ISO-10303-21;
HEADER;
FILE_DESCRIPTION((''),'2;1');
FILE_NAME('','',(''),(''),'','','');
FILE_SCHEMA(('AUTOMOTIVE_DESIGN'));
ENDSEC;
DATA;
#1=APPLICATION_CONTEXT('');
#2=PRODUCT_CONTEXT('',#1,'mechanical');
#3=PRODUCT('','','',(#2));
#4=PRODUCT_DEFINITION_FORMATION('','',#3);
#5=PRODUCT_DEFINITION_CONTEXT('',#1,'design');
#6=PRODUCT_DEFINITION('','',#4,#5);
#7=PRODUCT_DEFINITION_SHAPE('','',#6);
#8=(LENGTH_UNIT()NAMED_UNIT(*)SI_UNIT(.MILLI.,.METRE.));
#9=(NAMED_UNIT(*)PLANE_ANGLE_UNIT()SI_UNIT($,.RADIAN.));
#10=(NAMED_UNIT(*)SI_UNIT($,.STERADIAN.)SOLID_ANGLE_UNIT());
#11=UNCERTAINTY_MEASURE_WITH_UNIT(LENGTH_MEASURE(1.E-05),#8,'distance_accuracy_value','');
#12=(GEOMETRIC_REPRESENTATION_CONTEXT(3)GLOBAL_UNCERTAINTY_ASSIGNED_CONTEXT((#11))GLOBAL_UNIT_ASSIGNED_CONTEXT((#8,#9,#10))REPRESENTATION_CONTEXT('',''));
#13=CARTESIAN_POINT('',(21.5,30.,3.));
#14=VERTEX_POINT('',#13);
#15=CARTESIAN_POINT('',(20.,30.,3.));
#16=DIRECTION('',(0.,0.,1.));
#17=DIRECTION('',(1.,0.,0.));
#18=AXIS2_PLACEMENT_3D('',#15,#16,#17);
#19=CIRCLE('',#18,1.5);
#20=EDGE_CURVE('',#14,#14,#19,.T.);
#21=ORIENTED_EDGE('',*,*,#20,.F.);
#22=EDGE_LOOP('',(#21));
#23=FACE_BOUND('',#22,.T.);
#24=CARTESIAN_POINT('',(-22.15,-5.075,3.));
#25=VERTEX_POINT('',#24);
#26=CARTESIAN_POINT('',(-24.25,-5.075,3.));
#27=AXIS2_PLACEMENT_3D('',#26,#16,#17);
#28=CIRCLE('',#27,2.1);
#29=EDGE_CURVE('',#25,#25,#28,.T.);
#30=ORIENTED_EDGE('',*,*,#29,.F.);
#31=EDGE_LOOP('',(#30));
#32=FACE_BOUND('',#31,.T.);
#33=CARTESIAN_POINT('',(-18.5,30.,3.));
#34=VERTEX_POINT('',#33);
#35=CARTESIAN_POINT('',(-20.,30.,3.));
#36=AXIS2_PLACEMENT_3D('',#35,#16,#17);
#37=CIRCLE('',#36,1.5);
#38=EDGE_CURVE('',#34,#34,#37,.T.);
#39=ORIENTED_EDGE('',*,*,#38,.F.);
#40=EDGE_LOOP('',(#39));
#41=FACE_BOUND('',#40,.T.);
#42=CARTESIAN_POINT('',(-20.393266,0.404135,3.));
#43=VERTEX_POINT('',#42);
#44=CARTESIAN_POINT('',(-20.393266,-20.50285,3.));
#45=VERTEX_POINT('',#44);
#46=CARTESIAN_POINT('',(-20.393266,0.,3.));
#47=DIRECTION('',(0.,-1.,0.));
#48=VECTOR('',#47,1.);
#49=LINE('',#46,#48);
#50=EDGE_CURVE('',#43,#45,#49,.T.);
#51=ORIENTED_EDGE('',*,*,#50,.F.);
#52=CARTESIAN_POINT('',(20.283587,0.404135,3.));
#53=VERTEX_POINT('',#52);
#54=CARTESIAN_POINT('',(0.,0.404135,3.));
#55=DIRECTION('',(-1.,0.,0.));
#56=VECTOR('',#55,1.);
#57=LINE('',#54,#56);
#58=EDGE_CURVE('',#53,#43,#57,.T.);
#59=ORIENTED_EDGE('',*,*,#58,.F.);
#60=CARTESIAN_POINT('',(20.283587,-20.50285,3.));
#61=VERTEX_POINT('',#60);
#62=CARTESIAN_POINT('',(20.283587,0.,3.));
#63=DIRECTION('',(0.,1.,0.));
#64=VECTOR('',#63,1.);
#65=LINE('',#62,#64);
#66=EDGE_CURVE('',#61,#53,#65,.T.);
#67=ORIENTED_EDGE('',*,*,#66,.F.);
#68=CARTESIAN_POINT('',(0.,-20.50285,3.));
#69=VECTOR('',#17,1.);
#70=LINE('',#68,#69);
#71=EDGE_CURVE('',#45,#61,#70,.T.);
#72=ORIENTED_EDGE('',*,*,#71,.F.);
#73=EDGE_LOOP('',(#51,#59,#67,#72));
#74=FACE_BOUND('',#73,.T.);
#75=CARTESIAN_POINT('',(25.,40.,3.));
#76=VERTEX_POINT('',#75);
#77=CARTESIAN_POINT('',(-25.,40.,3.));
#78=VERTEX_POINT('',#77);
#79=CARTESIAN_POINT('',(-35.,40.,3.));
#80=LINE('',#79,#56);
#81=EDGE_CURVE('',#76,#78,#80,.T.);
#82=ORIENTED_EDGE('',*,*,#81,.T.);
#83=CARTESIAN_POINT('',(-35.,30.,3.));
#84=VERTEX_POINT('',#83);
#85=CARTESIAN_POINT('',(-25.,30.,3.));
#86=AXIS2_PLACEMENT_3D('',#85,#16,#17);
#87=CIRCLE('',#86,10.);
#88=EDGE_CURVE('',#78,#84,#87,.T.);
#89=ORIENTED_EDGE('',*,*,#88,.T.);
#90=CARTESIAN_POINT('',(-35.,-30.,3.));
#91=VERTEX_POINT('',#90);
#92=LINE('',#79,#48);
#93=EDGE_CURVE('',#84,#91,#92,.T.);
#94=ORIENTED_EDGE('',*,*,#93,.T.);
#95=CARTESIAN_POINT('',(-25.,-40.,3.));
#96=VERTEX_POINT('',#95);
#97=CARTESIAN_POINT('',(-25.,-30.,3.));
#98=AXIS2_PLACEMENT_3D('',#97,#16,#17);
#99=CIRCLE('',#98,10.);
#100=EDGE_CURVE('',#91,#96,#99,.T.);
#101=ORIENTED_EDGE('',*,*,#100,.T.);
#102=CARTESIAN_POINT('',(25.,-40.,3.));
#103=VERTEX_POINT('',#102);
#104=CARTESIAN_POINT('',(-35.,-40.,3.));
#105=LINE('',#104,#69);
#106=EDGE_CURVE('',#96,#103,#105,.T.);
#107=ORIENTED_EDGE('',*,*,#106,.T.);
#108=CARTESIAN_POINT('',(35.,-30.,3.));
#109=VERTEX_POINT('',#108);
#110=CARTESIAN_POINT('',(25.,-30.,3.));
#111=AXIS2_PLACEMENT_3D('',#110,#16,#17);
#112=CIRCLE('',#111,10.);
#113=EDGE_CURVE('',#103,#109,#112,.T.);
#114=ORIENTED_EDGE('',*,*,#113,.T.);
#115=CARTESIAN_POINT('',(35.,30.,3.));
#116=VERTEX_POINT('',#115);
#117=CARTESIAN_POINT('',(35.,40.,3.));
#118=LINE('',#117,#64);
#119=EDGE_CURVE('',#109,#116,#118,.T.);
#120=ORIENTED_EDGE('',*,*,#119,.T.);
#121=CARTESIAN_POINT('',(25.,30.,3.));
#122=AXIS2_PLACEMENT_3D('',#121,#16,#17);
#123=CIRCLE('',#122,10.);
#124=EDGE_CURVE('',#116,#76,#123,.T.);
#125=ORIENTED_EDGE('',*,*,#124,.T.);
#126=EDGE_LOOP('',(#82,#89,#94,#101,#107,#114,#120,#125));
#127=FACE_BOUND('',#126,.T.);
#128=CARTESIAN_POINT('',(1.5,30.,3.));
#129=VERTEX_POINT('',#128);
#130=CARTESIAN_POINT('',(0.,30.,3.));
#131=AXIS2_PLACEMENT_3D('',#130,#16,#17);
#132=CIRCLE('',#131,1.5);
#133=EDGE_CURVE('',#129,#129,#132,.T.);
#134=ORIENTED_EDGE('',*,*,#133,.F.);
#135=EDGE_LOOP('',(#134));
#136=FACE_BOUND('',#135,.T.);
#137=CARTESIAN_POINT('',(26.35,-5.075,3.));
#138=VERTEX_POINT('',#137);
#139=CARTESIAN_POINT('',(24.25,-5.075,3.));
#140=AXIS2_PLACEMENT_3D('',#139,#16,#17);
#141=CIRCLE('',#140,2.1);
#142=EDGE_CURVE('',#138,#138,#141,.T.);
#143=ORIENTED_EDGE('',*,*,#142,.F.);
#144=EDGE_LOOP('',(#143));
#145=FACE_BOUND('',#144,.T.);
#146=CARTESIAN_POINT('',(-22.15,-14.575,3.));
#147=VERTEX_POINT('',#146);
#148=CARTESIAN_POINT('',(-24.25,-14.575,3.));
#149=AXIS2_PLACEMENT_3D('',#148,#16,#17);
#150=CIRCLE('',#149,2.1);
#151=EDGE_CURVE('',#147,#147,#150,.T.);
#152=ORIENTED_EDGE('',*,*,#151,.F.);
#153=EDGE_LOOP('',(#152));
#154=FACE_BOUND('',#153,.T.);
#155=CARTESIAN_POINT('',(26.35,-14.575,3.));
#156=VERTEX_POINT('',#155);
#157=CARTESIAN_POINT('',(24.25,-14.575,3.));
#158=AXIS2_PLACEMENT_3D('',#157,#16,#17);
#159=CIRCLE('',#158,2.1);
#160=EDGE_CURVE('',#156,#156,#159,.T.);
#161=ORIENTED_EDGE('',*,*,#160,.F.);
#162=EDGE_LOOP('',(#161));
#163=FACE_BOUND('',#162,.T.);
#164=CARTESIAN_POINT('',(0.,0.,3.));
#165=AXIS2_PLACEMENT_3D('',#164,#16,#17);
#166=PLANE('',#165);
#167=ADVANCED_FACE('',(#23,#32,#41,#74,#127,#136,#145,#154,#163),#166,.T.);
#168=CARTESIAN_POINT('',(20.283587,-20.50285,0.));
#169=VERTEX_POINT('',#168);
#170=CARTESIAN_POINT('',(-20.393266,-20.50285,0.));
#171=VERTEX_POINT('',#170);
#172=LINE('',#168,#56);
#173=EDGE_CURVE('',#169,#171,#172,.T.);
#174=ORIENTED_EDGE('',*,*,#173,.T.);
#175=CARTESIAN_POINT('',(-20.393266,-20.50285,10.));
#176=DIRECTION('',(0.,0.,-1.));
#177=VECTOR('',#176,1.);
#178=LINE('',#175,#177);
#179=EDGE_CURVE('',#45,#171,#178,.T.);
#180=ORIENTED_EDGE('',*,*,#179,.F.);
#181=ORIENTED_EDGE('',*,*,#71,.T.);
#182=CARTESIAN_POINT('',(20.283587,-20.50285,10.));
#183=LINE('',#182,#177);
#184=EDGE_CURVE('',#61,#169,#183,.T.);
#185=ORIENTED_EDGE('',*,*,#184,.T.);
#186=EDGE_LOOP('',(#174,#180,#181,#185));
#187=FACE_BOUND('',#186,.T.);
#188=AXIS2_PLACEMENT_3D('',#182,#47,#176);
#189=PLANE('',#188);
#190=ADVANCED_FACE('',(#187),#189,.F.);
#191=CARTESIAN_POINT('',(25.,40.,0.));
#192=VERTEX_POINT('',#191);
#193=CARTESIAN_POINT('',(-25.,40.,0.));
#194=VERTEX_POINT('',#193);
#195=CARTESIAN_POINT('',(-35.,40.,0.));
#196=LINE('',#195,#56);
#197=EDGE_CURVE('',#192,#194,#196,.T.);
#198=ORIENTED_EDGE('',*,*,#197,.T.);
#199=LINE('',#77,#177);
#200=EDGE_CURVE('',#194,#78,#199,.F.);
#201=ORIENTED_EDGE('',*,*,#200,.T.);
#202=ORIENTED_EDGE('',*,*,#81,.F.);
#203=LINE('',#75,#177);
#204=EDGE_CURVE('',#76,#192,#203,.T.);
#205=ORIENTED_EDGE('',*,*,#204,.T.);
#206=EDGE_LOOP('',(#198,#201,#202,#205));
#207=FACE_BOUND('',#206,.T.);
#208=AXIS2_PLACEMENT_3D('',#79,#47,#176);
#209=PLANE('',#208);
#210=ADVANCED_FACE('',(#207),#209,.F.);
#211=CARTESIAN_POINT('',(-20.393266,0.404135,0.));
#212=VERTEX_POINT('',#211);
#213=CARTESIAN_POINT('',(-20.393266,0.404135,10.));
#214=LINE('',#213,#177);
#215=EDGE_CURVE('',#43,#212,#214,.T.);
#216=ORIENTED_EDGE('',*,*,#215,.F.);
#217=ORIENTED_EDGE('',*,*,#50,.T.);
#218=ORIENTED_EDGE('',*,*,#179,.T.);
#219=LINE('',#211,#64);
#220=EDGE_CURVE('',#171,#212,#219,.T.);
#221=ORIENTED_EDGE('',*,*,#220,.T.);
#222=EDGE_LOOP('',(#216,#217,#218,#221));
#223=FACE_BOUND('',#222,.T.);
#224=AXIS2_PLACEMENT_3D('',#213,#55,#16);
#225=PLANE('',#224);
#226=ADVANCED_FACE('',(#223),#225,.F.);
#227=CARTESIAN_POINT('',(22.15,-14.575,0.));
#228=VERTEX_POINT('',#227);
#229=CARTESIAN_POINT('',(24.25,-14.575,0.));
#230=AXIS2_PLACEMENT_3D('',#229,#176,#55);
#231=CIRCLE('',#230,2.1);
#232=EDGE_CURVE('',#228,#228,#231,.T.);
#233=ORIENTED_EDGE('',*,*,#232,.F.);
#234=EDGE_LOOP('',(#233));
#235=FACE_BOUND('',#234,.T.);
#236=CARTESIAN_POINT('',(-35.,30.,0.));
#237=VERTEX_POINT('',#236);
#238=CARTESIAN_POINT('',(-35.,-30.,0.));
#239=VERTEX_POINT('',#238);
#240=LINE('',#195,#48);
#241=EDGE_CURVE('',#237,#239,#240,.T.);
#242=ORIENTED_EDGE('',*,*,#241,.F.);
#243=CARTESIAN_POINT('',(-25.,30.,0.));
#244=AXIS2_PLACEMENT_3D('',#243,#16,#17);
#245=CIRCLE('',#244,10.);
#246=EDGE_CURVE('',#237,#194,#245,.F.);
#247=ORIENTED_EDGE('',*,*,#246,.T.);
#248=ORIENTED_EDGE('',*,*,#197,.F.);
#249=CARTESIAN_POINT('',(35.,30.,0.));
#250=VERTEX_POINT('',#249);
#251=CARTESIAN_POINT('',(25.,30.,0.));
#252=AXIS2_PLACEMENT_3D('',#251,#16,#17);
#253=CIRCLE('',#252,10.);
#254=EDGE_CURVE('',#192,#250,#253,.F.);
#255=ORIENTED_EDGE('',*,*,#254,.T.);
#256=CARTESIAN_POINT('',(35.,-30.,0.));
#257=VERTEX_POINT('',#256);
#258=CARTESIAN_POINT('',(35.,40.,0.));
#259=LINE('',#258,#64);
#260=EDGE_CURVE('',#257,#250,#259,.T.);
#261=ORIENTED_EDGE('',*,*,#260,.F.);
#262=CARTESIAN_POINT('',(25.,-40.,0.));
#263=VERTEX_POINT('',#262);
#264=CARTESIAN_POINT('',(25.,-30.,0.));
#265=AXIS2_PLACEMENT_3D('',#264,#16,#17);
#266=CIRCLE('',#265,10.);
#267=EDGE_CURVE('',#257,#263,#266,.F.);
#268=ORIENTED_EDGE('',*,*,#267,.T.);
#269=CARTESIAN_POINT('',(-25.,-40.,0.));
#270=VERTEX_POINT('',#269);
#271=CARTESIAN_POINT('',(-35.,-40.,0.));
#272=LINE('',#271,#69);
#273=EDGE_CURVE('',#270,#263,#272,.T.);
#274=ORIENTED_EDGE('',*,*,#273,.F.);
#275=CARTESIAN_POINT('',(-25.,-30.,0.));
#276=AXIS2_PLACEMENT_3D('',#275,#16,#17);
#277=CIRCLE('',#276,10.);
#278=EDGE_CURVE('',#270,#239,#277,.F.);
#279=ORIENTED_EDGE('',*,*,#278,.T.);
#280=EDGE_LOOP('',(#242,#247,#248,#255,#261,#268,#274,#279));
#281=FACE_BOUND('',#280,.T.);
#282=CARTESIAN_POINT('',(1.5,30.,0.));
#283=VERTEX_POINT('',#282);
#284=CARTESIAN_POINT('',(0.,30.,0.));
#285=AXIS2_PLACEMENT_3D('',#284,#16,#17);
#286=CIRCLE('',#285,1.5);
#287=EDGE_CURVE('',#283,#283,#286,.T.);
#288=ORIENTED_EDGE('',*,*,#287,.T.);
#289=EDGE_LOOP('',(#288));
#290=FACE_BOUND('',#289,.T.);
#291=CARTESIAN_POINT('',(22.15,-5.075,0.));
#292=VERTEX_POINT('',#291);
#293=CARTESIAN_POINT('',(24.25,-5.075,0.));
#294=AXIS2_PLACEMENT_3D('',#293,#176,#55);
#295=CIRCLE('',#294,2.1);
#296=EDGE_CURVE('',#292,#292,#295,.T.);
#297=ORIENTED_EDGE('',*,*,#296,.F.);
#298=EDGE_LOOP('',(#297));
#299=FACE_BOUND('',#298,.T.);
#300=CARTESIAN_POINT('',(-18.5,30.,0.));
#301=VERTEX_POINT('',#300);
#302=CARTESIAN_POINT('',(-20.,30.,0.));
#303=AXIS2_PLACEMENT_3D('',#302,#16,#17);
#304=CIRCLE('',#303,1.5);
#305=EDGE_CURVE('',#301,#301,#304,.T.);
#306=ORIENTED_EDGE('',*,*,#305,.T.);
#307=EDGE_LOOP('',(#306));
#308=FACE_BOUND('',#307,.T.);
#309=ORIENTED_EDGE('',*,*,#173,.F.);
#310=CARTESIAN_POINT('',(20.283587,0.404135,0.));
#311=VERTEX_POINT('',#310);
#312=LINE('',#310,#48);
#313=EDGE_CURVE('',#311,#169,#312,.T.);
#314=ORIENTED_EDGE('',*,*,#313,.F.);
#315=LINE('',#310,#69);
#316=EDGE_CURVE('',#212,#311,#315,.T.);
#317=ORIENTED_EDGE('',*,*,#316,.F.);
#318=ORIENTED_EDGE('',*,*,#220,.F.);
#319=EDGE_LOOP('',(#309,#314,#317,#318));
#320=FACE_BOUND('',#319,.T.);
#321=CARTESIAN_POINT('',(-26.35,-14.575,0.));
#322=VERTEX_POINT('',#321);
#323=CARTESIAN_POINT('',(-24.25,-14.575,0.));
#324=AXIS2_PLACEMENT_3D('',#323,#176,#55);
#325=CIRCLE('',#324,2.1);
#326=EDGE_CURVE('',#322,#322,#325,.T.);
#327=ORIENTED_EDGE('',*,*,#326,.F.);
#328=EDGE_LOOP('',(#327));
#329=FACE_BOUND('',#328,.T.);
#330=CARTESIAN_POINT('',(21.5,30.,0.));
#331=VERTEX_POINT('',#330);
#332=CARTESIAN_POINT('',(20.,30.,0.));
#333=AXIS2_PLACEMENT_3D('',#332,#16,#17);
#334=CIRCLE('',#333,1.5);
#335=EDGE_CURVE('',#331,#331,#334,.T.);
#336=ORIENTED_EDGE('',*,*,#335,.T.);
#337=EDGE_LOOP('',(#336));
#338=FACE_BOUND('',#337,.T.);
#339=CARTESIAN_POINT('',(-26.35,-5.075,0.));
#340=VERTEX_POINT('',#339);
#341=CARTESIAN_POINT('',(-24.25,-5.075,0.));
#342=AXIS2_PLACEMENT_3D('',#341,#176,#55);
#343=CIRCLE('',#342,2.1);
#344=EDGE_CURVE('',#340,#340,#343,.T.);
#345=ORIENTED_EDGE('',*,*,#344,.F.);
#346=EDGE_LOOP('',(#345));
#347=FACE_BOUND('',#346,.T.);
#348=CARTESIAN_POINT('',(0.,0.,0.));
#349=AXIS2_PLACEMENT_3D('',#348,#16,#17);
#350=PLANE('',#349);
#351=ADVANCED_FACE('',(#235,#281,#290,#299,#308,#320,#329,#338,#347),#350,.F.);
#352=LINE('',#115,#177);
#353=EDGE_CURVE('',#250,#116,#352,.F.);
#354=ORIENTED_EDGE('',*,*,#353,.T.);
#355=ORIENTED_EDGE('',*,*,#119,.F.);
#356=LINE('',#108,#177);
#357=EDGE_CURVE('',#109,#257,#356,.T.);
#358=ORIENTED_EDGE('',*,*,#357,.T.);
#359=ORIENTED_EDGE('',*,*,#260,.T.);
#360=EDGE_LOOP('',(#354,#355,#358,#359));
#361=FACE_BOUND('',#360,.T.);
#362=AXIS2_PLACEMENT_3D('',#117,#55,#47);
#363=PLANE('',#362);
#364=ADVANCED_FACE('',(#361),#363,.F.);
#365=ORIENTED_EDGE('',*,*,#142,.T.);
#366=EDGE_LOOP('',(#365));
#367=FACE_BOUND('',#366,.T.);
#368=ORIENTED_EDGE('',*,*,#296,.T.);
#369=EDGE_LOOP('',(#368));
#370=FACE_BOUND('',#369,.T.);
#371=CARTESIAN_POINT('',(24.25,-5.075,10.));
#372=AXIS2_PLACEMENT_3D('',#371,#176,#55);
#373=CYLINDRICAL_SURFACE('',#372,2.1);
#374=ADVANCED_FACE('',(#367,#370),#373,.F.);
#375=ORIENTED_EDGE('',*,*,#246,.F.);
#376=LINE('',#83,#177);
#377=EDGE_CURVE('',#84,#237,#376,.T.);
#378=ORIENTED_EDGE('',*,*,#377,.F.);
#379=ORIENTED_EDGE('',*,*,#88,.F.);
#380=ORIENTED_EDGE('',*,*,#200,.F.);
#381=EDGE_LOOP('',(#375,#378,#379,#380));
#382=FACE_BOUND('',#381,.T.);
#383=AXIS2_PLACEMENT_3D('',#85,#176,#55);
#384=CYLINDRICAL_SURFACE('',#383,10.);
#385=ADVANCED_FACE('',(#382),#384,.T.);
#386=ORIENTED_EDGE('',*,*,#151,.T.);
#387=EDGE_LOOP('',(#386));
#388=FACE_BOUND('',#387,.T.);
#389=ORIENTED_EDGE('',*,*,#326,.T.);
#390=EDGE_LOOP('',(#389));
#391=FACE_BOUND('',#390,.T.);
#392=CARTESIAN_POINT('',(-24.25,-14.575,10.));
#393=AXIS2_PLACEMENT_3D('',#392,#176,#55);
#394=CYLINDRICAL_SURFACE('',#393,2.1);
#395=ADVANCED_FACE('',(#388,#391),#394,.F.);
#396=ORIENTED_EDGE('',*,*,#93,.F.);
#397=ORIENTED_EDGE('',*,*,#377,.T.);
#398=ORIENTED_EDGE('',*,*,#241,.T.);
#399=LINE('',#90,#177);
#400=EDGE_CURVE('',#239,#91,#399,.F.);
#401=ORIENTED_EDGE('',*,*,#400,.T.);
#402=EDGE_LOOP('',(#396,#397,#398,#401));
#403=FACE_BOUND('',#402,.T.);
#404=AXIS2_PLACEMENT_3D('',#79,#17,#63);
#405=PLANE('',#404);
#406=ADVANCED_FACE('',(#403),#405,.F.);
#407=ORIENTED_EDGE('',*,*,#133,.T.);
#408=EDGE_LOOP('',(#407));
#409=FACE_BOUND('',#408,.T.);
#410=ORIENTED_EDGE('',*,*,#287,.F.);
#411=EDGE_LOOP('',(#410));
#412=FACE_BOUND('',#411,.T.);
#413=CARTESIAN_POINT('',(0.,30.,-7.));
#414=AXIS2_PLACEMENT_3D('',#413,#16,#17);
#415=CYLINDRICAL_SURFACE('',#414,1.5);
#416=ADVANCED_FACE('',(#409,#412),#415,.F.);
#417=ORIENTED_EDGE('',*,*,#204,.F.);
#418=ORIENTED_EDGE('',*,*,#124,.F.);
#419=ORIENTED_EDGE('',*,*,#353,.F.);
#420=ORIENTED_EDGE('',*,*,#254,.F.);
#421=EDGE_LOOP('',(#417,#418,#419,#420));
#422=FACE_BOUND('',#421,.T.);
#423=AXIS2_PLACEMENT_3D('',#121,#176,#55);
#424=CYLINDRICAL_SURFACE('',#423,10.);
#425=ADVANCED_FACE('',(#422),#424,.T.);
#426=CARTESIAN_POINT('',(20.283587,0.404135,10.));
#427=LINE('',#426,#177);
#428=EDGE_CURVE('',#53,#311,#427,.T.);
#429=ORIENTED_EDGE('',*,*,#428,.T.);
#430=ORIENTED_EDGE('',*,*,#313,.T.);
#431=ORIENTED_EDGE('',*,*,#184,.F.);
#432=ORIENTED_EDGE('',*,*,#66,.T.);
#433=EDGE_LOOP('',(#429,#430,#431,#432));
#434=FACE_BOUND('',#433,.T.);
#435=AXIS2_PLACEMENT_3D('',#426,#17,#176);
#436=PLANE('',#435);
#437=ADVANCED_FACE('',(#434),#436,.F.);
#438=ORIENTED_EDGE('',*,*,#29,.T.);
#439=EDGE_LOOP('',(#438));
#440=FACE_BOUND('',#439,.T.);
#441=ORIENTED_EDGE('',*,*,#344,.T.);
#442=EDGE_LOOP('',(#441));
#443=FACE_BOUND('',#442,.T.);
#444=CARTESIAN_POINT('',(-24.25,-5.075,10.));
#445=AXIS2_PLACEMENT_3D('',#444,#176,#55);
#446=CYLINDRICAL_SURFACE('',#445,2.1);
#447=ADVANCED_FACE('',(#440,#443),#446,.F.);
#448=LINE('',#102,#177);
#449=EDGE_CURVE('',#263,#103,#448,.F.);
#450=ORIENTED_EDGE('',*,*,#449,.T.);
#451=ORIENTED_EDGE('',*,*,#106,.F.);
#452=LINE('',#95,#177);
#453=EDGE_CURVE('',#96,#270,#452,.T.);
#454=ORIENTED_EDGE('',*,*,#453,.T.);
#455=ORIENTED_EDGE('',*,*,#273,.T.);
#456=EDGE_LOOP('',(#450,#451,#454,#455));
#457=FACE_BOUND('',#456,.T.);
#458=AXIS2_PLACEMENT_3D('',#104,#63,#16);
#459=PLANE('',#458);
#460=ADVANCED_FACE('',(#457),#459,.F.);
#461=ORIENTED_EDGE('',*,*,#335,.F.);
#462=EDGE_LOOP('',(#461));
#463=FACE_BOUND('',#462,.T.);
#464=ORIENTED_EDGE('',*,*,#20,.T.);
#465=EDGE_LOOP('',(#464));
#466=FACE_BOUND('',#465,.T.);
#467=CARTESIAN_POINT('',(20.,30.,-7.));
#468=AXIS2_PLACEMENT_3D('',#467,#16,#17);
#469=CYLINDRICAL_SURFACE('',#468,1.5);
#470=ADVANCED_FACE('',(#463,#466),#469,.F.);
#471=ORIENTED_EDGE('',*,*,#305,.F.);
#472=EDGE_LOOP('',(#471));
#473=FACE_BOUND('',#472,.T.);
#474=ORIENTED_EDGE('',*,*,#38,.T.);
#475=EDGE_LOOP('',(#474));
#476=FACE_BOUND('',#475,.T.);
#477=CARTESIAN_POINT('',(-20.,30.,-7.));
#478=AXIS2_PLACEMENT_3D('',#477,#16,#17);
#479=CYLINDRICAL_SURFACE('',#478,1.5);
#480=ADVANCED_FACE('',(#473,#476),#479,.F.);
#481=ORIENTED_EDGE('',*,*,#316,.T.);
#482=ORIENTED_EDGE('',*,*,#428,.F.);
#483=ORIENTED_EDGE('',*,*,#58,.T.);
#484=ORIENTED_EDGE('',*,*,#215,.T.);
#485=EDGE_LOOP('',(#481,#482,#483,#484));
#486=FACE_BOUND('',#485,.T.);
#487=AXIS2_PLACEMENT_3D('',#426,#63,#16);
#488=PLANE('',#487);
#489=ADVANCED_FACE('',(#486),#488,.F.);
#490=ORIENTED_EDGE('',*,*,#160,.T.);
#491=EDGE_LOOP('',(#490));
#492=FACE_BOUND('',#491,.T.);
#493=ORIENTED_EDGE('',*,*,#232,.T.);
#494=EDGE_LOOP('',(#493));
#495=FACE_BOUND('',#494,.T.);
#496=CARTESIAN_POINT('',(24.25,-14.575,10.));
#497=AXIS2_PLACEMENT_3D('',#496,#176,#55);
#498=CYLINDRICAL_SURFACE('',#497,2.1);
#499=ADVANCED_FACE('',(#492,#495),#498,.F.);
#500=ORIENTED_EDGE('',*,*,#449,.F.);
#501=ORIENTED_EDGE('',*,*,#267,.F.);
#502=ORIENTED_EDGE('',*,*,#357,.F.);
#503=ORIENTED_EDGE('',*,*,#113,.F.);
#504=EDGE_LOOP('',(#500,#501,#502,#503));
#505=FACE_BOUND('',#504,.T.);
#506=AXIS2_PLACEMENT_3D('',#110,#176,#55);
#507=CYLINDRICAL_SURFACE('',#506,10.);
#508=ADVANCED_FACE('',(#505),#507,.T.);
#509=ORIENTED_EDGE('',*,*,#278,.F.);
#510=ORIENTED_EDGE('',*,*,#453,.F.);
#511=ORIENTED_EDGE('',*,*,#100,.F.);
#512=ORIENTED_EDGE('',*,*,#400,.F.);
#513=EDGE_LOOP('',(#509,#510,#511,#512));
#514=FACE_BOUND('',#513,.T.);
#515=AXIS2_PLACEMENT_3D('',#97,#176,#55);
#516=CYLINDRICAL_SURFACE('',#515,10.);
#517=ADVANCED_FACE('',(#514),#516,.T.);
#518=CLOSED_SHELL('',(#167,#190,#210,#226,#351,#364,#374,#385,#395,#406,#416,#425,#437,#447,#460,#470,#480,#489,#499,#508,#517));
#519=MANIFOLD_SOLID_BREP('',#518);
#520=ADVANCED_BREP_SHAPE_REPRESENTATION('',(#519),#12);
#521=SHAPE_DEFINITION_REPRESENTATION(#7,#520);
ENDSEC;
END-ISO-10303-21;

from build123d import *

# Parameters (mm, degrees)
SKETCH_1_W          = 70
SKETCH_1_H          = 80
EXTRUDE_1_DEPTH     = 3
SKETCH_4_R          = 2.1
SKETCH_4_W          = 40.676852231
SKETCH_4_H          = 20.906984827
CUT_EXTRUDE_3_DEPTH = 10
SKETCH_5_R          = 1.5
CUT_EXTRUDE_4_DEPTH = 10
FILLET_1_R          = 10


with BuildPart() as part:
    # 草图1 → 凸台-拉伸1 (new body)
    with BuildSketch(Plane.XY):
        Rectangle(SKETCH_1_W, SKETCH_1_H)
    extrude(amount=EXTRUDE_1_DEPTH)

    # 草图4 → 切除-拉伸3 (cut)
    with BuildSketch(Plane(origin=(0, 0, 0), x_dir=(-1, 0, 0), z_dir=(0, 0, -1))):
        with Locations((24.25, -14.575)):
            Circle(SKETCH_4_R)
        with Locations((24.25, -5.075)):
            Circle(SKETCH_4_R)
        with Locations((-24.25, -14.575)):
            Circle(SKETCH_4_R)
        with Locations((-24.25, -5.075)):
            Circle(SKETCH_4_R)
        with Locations((0.054839574, -10.049357678)):
            Rectangle(SKETCH_4_W, SKETCH_4_H)
    extrude(amount=-CUT_EXTRUDE_3_DEPTH, mode=Mode.SUBTRACT)

    # 草图5 → 切除-拉伸4 (cut)
    with BuildSketch(Plane.XY.offset(3)):
        with Locations((-20, 30)):
            Circle(SKETCH_5_R)
        with Locations((0, 30)):
            Circle(SKETCH_5_R)
        with Locations((20, 30)):
            Circle(SKETCH_5_R)
    extrude(amount=-CUT_EXTRUDE_4_DEPTH, mode=Mode.SUBTRACT)

    # 圆角1
    fillet_1_edges = [part.edges().sort_by_distance(p)[0] for p in [
        (35, -40, 1.5),
        (-35, -40, 1.5),
        (-35, 40, 1.5),
        (35, 40, 1.5),
    ]]
    fillet(fillet_1_edges, radius=FILLET_1_R)


solid = part.part
